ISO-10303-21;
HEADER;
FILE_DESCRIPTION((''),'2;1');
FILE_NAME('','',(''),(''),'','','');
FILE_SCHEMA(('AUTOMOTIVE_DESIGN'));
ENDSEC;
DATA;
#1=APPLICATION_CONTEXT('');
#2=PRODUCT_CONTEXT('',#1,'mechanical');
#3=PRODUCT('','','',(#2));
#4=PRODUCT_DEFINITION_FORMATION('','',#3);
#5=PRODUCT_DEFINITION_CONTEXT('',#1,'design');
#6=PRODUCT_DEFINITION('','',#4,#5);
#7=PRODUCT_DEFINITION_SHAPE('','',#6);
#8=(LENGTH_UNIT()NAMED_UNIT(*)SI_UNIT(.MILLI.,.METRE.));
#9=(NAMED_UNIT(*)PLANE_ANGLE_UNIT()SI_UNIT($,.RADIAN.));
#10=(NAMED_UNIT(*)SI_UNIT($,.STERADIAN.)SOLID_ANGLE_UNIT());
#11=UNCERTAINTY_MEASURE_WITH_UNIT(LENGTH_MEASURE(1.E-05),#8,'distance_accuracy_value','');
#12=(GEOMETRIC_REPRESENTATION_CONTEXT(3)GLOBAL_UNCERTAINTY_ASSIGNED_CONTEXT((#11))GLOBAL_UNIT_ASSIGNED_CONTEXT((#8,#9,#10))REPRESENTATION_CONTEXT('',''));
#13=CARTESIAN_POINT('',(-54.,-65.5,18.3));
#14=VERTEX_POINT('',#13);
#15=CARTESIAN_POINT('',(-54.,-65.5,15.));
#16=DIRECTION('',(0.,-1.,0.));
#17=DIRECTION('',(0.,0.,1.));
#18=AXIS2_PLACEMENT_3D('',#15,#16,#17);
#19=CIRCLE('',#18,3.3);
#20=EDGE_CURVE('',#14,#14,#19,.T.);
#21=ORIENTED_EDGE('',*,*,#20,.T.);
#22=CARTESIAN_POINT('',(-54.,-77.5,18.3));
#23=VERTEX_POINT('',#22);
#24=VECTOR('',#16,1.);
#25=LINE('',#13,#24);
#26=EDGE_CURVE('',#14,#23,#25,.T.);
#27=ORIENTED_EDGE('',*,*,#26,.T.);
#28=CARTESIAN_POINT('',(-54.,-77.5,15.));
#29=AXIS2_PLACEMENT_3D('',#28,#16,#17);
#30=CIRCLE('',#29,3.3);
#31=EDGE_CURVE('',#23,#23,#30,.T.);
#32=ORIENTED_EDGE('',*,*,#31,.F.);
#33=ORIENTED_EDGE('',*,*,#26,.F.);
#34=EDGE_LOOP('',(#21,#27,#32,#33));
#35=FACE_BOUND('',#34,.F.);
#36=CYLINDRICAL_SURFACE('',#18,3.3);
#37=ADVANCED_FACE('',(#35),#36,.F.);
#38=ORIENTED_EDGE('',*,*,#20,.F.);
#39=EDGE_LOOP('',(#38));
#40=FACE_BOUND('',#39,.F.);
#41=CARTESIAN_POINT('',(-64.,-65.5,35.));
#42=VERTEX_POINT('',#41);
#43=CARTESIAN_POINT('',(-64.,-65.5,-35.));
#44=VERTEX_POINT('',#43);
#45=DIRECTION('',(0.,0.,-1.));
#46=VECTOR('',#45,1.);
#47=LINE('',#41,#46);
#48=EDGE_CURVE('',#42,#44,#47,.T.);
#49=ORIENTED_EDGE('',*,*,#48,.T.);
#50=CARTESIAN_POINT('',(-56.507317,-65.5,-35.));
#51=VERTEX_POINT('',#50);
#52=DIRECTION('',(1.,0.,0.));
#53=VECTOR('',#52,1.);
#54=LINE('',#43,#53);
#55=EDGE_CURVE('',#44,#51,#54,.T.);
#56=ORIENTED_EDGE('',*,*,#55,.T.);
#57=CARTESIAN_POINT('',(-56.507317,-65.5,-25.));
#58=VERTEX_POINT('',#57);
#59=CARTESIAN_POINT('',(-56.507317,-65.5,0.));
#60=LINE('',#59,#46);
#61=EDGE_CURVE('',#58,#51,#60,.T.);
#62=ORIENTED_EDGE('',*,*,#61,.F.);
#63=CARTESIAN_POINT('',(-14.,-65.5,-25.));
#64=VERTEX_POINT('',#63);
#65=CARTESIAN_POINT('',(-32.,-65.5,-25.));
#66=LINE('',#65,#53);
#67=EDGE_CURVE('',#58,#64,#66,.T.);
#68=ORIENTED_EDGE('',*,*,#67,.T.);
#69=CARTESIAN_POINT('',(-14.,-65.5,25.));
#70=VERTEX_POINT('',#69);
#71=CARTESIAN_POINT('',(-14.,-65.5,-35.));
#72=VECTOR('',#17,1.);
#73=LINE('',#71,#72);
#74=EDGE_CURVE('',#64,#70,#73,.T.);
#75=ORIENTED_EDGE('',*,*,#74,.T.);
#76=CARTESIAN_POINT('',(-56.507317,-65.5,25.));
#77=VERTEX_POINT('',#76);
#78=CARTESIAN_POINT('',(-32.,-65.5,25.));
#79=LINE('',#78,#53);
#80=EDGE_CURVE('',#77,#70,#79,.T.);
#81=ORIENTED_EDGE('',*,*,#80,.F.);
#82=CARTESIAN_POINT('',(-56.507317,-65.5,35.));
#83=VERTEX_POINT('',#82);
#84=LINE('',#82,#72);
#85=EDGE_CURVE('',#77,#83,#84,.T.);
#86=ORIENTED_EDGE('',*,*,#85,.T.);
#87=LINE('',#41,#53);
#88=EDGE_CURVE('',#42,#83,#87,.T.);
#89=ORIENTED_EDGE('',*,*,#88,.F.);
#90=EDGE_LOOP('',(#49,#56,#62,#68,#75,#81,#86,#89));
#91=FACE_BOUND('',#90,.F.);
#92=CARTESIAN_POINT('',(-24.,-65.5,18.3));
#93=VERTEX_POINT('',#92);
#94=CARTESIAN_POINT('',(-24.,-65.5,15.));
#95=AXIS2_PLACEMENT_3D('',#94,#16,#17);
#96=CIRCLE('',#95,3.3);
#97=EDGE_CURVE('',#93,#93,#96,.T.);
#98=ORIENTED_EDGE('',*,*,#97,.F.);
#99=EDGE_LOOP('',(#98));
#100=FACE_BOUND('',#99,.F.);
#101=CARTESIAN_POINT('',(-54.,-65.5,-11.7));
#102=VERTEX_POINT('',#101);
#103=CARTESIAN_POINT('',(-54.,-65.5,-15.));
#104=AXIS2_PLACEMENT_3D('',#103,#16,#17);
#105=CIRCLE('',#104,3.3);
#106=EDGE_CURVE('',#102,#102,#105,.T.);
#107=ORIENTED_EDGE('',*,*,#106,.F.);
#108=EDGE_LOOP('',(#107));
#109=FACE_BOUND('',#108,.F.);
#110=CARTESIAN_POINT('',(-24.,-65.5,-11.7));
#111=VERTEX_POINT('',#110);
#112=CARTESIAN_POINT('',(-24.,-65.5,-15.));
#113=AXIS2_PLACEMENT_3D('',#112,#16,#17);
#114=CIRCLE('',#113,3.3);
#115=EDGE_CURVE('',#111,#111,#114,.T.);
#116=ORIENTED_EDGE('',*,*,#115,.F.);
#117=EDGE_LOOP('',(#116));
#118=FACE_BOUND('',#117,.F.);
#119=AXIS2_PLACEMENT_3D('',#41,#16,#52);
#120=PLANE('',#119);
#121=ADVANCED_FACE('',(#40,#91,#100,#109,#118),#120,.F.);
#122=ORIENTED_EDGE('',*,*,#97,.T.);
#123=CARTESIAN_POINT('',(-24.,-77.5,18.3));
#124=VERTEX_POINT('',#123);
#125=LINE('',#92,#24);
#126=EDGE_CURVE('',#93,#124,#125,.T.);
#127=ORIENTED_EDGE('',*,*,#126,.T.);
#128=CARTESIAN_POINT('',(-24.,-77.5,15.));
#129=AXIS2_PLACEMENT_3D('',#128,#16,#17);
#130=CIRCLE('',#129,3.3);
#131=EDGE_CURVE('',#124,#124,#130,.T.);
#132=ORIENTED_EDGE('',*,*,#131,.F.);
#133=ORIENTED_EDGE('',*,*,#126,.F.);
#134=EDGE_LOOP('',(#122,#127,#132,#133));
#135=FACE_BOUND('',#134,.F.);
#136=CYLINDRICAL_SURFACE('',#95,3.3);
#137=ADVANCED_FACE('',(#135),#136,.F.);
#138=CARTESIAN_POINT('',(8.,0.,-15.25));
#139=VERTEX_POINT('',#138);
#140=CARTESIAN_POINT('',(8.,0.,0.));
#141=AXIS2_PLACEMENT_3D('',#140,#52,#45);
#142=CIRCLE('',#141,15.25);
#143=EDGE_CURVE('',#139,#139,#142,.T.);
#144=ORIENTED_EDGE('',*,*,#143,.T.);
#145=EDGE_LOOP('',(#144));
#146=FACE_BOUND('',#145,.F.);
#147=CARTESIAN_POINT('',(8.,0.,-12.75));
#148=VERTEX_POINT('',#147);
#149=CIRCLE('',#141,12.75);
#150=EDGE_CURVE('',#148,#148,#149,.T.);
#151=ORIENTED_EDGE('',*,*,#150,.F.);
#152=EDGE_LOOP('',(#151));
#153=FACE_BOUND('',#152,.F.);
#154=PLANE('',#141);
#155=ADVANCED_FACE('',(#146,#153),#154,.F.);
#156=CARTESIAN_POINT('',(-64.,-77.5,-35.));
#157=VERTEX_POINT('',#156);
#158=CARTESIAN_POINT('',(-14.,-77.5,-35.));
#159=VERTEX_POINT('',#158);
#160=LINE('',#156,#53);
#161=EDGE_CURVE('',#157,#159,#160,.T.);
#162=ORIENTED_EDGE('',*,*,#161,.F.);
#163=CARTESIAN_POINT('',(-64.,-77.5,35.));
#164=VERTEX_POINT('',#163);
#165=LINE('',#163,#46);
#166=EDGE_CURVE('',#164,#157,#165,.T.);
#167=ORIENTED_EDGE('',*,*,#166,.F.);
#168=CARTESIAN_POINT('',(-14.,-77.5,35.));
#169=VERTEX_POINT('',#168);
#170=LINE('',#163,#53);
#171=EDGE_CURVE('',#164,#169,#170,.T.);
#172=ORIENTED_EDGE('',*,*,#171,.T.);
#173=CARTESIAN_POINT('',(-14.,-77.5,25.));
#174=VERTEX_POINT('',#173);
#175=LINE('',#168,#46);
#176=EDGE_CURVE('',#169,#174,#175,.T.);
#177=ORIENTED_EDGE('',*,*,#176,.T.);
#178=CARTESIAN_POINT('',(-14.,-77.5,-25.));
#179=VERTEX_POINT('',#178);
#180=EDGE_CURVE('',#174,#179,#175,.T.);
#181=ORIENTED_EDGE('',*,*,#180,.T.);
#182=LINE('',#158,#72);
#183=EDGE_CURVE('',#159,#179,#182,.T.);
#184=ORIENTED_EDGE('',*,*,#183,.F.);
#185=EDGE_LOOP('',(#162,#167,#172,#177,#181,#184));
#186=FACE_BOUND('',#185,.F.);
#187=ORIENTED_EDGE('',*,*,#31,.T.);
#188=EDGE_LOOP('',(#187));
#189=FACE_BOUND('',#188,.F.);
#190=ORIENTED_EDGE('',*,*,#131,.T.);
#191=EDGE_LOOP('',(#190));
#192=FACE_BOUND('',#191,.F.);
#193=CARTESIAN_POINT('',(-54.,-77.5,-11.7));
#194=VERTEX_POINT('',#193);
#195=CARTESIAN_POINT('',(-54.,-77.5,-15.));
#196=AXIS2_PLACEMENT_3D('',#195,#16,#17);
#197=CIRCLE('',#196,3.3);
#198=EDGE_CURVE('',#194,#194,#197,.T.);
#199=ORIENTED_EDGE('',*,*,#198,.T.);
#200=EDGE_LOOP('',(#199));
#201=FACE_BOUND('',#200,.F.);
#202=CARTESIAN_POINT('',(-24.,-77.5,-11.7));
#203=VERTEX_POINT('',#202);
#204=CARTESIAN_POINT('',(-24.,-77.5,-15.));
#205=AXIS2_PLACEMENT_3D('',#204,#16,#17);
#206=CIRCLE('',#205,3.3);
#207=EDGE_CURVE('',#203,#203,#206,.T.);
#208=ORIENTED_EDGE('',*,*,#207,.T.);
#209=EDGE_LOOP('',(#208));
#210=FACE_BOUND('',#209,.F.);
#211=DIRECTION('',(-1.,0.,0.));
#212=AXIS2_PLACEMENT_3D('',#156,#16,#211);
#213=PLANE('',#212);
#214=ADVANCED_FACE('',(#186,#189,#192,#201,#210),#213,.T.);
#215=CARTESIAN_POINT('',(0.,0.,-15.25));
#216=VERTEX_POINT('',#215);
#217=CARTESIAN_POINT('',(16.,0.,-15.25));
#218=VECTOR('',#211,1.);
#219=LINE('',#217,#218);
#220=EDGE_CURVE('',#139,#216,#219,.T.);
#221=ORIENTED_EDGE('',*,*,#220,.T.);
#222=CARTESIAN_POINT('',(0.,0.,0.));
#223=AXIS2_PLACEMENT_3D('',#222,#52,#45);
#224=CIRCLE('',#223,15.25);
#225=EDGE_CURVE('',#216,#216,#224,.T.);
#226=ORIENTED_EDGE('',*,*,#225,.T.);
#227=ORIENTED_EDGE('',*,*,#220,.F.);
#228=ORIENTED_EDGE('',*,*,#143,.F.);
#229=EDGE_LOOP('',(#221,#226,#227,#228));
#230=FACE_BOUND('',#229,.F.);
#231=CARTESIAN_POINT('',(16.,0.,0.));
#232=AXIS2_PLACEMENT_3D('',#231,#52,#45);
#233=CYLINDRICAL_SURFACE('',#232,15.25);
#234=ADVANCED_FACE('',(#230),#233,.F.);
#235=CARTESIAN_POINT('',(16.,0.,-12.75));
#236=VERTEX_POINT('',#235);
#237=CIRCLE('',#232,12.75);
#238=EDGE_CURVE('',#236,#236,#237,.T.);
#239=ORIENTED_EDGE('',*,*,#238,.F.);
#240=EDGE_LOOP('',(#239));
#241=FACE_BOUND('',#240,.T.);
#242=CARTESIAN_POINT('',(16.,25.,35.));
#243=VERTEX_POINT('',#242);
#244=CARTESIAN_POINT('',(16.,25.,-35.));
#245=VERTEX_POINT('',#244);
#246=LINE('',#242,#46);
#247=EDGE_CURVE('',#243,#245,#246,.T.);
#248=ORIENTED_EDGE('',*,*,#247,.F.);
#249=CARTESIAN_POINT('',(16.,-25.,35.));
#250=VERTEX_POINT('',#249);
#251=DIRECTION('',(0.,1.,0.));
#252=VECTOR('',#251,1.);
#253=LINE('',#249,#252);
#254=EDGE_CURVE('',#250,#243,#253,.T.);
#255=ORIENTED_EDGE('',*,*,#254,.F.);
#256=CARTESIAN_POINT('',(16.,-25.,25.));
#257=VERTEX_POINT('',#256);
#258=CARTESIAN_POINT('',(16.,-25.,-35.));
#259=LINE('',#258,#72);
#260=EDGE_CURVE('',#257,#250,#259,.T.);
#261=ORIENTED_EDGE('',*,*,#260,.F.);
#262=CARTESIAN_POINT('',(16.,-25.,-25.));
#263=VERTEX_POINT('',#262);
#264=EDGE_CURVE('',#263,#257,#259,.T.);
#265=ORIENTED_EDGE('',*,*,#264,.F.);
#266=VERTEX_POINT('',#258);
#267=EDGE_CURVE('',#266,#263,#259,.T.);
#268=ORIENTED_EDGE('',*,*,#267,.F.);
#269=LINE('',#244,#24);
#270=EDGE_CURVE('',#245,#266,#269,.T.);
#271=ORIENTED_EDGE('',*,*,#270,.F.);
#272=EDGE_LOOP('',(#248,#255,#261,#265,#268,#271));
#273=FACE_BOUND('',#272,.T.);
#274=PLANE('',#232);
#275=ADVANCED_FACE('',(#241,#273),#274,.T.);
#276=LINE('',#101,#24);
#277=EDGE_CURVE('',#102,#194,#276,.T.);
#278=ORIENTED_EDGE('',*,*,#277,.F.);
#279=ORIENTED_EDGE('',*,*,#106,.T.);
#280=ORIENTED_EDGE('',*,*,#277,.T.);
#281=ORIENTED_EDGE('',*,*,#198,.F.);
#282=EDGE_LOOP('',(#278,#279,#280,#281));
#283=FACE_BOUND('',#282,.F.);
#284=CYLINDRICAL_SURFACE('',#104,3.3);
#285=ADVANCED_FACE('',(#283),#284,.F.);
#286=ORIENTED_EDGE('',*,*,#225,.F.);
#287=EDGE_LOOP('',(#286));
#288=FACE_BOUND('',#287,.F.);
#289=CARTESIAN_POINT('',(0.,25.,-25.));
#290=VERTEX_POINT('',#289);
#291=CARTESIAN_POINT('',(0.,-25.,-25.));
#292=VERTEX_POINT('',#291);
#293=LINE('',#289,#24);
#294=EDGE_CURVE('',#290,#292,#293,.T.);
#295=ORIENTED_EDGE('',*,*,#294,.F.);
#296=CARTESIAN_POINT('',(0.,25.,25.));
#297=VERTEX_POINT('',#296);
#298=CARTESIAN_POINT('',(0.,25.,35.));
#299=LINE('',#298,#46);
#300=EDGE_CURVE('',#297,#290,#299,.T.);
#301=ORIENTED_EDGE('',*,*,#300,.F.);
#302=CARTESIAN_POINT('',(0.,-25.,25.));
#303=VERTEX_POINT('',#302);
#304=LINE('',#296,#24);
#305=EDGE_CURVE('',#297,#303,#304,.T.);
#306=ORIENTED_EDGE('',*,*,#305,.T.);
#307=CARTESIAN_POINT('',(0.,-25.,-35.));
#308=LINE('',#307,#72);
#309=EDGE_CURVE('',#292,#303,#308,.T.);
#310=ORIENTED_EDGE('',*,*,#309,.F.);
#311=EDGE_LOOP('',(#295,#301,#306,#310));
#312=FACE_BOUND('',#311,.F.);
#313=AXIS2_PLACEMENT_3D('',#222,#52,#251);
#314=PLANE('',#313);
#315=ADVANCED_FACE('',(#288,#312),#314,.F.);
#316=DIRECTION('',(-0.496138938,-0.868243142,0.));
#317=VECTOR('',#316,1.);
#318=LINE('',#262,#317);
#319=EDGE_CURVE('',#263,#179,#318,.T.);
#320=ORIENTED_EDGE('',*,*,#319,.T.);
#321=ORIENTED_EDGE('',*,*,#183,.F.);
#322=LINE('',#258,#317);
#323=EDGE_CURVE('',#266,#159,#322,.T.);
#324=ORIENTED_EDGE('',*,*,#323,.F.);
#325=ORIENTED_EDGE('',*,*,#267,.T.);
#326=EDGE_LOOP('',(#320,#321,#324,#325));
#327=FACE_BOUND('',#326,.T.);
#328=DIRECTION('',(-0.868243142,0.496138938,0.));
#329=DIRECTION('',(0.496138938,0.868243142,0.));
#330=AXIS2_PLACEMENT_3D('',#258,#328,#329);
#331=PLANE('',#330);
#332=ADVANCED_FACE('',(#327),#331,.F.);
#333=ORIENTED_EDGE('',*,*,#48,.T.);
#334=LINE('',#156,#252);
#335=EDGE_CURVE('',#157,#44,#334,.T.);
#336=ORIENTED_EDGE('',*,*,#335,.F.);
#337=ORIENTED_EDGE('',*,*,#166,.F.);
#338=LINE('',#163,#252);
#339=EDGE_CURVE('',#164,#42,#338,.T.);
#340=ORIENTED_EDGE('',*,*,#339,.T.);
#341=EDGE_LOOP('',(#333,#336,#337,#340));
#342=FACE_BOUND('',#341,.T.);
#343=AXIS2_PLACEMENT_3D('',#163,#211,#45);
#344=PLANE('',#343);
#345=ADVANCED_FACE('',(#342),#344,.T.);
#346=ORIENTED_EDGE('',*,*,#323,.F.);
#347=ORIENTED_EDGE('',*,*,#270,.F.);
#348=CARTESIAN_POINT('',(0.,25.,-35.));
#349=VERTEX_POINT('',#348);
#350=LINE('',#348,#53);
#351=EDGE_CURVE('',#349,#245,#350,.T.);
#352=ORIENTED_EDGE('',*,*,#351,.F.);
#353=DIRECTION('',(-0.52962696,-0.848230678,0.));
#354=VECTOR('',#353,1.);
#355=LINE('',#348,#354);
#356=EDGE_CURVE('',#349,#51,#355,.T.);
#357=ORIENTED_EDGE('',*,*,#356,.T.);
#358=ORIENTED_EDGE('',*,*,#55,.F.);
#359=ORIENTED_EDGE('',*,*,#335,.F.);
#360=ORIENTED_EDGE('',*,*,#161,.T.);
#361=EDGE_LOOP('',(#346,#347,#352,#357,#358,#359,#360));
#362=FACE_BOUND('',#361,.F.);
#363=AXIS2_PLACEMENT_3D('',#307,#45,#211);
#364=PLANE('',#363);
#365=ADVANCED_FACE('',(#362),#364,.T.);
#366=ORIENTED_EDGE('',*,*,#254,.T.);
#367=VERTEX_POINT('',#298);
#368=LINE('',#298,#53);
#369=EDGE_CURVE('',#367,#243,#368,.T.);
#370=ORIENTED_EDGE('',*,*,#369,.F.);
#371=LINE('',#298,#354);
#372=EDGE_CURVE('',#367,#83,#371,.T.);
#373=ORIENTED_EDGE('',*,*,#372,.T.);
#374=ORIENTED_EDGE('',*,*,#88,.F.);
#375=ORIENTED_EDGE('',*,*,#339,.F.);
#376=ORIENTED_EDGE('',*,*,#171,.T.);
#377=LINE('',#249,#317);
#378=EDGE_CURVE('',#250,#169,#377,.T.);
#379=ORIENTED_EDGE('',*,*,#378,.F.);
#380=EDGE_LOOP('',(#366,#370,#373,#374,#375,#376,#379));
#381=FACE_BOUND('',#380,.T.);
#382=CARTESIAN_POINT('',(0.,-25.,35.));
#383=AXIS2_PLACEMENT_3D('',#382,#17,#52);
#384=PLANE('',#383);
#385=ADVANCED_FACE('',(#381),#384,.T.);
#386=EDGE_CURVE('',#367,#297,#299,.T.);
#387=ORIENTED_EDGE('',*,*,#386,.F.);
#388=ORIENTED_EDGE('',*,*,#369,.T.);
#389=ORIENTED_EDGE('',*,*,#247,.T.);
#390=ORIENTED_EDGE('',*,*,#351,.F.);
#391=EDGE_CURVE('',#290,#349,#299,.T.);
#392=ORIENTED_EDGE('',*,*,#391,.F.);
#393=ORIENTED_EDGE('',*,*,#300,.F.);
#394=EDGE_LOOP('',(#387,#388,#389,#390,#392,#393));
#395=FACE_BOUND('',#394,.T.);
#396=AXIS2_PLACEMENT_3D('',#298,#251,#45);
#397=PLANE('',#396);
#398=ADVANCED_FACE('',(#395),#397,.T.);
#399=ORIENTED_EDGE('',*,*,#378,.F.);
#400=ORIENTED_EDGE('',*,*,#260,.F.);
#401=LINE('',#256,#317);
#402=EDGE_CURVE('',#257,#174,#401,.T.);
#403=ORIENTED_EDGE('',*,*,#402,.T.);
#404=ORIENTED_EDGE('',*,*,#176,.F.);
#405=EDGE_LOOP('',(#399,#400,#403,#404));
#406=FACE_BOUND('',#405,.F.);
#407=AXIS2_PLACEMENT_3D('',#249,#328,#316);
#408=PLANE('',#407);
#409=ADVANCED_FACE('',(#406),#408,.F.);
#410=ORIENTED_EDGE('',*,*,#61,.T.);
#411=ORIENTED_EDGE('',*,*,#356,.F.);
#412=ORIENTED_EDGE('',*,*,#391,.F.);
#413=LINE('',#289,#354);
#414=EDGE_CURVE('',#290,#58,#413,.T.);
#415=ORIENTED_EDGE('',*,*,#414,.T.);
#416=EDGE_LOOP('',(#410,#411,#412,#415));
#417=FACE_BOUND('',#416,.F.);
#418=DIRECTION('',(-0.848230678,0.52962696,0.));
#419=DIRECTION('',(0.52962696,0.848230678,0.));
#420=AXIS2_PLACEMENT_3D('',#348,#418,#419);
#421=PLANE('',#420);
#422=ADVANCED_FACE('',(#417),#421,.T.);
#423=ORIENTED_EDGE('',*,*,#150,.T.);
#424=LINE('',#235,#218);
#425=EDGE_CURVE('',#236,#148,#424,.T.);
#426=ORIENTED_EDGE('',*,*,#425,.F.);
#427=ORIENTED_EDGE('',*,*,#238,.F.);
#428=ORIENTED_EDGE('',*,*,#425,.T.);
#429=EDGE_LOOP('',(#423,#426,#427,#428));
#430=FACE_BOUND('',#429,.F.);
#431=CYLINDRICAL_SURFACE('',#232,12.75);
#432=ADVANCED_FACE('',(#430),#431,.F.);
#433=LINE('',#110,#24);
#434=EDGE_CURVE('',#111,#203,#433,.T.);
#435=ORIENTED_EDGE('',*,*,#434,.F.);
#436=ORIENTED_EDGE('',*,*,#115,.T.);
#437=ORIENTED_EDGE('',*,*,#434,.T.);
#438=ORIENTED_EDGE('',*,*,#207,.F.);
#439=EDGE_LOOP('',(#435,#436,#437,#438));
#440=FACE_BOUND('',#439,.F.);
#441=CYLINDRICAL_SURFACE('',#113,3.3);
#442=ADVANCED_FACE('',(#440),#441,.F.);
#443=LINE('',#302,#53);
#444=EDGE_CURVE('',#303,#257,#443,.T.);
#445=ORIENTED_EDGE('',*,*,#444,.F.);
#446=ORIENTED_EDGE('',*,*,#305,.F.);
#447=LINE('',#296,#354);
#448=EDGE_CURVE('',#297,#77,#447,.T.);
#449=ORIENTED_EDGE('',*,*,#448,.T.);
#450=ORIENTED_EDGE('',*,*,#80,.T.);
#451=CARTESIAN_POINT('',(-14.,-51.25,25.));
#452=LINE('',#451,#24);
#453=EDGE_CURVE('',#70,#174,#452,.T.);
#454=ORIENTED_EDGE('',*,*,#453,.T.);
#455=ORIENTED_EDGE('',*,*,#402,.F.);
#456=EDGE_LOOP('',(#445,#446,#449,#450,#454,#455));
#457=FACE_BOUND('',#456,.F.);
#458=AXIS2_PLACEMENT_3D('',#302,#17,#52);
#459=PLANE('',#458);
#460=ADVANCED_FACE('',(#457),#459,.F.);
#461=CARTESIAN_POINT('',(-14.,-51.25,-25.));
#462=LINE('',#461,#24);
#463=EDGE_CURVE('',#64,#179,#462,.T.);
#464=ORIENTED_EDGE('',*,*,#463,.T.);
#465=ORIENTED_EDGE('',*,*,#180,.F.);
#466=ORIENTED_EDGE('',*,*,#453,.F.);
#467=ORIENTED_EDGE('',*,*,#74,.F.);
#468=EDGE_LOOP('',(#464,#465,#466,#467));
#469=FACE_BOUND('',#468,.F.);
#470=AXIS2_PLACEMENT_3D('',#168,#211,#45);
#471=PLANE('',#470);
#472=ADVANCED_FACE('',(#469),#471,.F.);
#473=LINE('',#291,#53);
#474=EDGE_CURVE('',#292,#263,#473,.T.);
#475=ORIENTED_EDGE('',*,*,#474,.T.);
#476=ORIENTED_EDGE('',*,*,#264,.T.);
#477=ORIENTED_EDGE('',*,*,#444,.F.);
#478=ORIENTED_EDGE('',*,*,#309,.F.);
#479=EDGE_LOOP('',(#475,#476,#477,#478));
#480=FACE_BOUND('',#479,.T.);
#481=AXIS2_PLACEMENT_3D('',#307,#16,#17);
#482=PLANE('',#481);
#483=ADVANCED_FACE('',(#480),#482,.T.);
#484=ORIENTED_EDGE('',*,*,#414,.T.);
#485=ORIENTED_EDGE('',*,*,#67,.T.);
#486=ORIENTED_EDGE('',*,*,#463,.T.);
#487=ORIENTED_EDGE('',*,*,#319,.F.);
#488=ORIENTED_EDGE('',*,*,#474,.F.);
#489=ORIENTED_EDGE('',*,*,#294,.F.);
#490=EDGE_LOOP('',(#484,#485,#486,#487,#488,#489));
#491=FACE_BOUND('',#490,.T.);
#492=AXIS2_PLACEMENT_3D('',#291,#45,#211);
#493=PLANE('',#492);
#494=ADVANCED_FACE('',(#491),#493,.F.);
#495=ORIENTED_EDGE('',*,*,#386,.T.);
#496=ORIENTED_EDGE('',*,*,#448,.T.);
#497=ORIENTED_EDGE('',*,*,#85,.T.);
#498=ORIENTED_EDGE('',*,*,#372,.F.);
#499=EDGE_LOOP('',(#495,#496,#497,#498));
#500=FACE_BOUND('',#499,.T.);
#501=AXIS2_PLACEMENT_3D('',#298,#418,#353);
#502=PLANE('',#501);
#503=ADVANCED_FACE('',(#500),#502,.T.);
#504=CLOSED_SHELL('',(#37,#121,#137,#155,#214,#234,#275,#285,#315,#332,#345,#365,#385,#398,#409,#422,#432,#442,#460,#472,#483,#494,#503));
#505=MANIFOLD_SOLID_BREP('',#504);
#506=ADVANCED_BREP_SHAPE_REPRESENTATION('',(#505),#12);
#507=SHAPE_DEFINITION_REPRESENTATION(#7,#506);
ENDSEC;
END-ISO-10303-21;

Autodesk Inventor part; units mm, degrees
ref_plane "YZ Plane" through (0, 0, 0) normal (1, 0, 0) x (0, 1, 0)
ref_plane "XZ Plane" through (0, 0, 0) normal (0, 1, 0) x (-1, 0, 0)
ref_plane "XY Plane" through (0, 0, 0) normal (0, 0, 1) x (1, 0, 0)
sketch "Sketch1" plane through (0, 0, 0) normal (1, 0, 0) x (0, 1, 0)
  line L0 (-25, 35) -> (25, 35)
  line L1 (25, 35) -> (25, -35)
  line L2 (25, -35) -> (-25, -35)
  line L3 (-25, -35) -> (-25, 35)
  line L4 (-25, 35) -> (25, -35) construction
  line L5 (25, 35) -> (-25, -35) construction
  point P0 (0, 0)
  dimension "d0" = 50
  dimension "d1" = 70
extrude "Extrusion1" add sketch "Sketch1" along normal blind 16
sketch "Sketch2" plane through (16, 0, 0) normal (1, 0, 0) x (0, 0, -1)
  circle A0 centre (0, 0) radius 15.25
  dimension "d4" = 30.5
extrude "Extrusion2" cut sketch "Sketch2" against normal through all
sketch "Sketch3" plane through (16, 0, 0) normal (1, 0, 0) x (0, 0, -1)
  circle A0 centre (0, 0) radius 15.25
  circle A1 centre (0, 0) radius 12.75
  dimension "d7" = 25.5
extrude "Extrusion3" add sketch "Sketch3" against normal blind 8
sketch "Sketch4" plane through (0, -25, 35) normal (0, 0, 1) x (1, 0, 0)
  line L0 (0, 50) -> (0, 0)
  line L1 (0, 0) -> (16, 0)
  line L2 (16, 50) -> (16, 0)
  line L3 (0, 50) -> (16, 50)
  line L4 (16, 37.75) -> (16, 12.25)
  line L5 (8, 12.25) -> (8, 37.75)
  line L6 (16, 37.75) -> (16, 12.25)
  line L7 (16, 50) -> (-64, 50)
  line L8 (-64, 50) -> (-64, -52.5)
  line L9 (-64, -52.5) -> (16, -52.5)
  line L10 (16, -52.5) -> (16, 50)
  line L11 (0, 50) -> (-64, -52.5)
  line L12 (16, 0) -> (-14, -52.5)
  point P0 (0, 25)
  point P1 (8, 25)
  dimension "d10" = 77.5
  dimension "d11" = 80
  dimension "d12" = 50
extrude "Extrusion4" add sketch "Sketch4" against normal blind 10 contours L0 L1 L12 L9 L11
mirror "Mirror1" about plane through (0, 0, 0) normal (0, 0, 1) of "Extrusion4"
sketch "Sketch5" plane through (-64, -77.5, 35) normal (0, -1, 0) x (1, 0, 0)
  line L0 (0, 0) -> (50, 0)
  line L1 (0, 0) -> (0, -10)
  line L2 (50, -10) -> (0, -10)
  line L3 (50, 0) -> (50, -10)
  line L4 (0, -70) -> (50, -70)
  line L5 (50, -70) -> (50, -60)
  line L6 (50, -60) -> (0, -60)
  line L7 (0, -70) -> (0, -60)
  line L8 (0, 0) -> (50, 0)
  line L9 (50, 0) -> (50, -70)
  line L10 (50, -70) -> (0, -70)
  line L11 (0, -70) -> (0, 0)
  point P0 (64, -35)
extrude "Extrusion5" add sketch "Sketch5" against normal blind 12
sketch "Sketch6" plane through (-64, -65.5, 35) normal (0, 1, 0) x (1, 0, 0)
  line L0 (50, 10) -> (7.4927, 10)
  line L1 (50, 10) -> (50, 60)
  line L2 (7.4927, 60) -> (50, 60)
  line L3 (7.4927, 70) -> (7.4927, 60)
  line L4 (7.4927, 70) -> (0, 70)
  line L5 (0, 70) -> (0, 0)
  line L6 (0, 0) -> (7.4927, 0)
  line L7 (7.4927, 10) -> (7.4927, 0)
  line L8 (64, 70) -> (7.4927, 70)
  line L9 (64, 70) -> (80, 70)
  line L10 (50, 70) -> (80, 70)
  line L11 (0, 70) -> (50, 70)
  line L12 (7.4927, 70) -> (0, 70)
  line L13 (50, 0) -> (80, 0)
  line L14 (64, 0) -> (80, 0)
  line L15 (64, 0) -> (7.4927, 0)
  line L16 (0, 0) -> (7.4927, 0)
  line L17 (0, 0) -> (50, 0)
  line L18 (50, 0) -> (0, 70) construction
  line L19 (50, 70) -> (0, 0) construction
  line L20 (10, 20) -> (40, 20) construction
  line L21 (40, 20) -> (40, 50) construction
  line L22 (40, 50) -> (10, 50) construction
  line L23 (10, 50) -> (10, 20) construction
  line L24 (10, 20) -> (40, 50) construction
  line L25 (40, 20) -> (10, 50) construction
  point P0 (64, 35)
  point P1 (25, 35)
  dimension "d17" = 30
  dimension "d18" = 30
hole "Hole1" at (-24, -65.5, -15) at (-54, -65.5, -15) at (-54, -65.5, 15) at (-24, -65.5, 15) direction (0, -1, 0) diameter 6.6 end through all
properties part number "Part15_3DPrint"
